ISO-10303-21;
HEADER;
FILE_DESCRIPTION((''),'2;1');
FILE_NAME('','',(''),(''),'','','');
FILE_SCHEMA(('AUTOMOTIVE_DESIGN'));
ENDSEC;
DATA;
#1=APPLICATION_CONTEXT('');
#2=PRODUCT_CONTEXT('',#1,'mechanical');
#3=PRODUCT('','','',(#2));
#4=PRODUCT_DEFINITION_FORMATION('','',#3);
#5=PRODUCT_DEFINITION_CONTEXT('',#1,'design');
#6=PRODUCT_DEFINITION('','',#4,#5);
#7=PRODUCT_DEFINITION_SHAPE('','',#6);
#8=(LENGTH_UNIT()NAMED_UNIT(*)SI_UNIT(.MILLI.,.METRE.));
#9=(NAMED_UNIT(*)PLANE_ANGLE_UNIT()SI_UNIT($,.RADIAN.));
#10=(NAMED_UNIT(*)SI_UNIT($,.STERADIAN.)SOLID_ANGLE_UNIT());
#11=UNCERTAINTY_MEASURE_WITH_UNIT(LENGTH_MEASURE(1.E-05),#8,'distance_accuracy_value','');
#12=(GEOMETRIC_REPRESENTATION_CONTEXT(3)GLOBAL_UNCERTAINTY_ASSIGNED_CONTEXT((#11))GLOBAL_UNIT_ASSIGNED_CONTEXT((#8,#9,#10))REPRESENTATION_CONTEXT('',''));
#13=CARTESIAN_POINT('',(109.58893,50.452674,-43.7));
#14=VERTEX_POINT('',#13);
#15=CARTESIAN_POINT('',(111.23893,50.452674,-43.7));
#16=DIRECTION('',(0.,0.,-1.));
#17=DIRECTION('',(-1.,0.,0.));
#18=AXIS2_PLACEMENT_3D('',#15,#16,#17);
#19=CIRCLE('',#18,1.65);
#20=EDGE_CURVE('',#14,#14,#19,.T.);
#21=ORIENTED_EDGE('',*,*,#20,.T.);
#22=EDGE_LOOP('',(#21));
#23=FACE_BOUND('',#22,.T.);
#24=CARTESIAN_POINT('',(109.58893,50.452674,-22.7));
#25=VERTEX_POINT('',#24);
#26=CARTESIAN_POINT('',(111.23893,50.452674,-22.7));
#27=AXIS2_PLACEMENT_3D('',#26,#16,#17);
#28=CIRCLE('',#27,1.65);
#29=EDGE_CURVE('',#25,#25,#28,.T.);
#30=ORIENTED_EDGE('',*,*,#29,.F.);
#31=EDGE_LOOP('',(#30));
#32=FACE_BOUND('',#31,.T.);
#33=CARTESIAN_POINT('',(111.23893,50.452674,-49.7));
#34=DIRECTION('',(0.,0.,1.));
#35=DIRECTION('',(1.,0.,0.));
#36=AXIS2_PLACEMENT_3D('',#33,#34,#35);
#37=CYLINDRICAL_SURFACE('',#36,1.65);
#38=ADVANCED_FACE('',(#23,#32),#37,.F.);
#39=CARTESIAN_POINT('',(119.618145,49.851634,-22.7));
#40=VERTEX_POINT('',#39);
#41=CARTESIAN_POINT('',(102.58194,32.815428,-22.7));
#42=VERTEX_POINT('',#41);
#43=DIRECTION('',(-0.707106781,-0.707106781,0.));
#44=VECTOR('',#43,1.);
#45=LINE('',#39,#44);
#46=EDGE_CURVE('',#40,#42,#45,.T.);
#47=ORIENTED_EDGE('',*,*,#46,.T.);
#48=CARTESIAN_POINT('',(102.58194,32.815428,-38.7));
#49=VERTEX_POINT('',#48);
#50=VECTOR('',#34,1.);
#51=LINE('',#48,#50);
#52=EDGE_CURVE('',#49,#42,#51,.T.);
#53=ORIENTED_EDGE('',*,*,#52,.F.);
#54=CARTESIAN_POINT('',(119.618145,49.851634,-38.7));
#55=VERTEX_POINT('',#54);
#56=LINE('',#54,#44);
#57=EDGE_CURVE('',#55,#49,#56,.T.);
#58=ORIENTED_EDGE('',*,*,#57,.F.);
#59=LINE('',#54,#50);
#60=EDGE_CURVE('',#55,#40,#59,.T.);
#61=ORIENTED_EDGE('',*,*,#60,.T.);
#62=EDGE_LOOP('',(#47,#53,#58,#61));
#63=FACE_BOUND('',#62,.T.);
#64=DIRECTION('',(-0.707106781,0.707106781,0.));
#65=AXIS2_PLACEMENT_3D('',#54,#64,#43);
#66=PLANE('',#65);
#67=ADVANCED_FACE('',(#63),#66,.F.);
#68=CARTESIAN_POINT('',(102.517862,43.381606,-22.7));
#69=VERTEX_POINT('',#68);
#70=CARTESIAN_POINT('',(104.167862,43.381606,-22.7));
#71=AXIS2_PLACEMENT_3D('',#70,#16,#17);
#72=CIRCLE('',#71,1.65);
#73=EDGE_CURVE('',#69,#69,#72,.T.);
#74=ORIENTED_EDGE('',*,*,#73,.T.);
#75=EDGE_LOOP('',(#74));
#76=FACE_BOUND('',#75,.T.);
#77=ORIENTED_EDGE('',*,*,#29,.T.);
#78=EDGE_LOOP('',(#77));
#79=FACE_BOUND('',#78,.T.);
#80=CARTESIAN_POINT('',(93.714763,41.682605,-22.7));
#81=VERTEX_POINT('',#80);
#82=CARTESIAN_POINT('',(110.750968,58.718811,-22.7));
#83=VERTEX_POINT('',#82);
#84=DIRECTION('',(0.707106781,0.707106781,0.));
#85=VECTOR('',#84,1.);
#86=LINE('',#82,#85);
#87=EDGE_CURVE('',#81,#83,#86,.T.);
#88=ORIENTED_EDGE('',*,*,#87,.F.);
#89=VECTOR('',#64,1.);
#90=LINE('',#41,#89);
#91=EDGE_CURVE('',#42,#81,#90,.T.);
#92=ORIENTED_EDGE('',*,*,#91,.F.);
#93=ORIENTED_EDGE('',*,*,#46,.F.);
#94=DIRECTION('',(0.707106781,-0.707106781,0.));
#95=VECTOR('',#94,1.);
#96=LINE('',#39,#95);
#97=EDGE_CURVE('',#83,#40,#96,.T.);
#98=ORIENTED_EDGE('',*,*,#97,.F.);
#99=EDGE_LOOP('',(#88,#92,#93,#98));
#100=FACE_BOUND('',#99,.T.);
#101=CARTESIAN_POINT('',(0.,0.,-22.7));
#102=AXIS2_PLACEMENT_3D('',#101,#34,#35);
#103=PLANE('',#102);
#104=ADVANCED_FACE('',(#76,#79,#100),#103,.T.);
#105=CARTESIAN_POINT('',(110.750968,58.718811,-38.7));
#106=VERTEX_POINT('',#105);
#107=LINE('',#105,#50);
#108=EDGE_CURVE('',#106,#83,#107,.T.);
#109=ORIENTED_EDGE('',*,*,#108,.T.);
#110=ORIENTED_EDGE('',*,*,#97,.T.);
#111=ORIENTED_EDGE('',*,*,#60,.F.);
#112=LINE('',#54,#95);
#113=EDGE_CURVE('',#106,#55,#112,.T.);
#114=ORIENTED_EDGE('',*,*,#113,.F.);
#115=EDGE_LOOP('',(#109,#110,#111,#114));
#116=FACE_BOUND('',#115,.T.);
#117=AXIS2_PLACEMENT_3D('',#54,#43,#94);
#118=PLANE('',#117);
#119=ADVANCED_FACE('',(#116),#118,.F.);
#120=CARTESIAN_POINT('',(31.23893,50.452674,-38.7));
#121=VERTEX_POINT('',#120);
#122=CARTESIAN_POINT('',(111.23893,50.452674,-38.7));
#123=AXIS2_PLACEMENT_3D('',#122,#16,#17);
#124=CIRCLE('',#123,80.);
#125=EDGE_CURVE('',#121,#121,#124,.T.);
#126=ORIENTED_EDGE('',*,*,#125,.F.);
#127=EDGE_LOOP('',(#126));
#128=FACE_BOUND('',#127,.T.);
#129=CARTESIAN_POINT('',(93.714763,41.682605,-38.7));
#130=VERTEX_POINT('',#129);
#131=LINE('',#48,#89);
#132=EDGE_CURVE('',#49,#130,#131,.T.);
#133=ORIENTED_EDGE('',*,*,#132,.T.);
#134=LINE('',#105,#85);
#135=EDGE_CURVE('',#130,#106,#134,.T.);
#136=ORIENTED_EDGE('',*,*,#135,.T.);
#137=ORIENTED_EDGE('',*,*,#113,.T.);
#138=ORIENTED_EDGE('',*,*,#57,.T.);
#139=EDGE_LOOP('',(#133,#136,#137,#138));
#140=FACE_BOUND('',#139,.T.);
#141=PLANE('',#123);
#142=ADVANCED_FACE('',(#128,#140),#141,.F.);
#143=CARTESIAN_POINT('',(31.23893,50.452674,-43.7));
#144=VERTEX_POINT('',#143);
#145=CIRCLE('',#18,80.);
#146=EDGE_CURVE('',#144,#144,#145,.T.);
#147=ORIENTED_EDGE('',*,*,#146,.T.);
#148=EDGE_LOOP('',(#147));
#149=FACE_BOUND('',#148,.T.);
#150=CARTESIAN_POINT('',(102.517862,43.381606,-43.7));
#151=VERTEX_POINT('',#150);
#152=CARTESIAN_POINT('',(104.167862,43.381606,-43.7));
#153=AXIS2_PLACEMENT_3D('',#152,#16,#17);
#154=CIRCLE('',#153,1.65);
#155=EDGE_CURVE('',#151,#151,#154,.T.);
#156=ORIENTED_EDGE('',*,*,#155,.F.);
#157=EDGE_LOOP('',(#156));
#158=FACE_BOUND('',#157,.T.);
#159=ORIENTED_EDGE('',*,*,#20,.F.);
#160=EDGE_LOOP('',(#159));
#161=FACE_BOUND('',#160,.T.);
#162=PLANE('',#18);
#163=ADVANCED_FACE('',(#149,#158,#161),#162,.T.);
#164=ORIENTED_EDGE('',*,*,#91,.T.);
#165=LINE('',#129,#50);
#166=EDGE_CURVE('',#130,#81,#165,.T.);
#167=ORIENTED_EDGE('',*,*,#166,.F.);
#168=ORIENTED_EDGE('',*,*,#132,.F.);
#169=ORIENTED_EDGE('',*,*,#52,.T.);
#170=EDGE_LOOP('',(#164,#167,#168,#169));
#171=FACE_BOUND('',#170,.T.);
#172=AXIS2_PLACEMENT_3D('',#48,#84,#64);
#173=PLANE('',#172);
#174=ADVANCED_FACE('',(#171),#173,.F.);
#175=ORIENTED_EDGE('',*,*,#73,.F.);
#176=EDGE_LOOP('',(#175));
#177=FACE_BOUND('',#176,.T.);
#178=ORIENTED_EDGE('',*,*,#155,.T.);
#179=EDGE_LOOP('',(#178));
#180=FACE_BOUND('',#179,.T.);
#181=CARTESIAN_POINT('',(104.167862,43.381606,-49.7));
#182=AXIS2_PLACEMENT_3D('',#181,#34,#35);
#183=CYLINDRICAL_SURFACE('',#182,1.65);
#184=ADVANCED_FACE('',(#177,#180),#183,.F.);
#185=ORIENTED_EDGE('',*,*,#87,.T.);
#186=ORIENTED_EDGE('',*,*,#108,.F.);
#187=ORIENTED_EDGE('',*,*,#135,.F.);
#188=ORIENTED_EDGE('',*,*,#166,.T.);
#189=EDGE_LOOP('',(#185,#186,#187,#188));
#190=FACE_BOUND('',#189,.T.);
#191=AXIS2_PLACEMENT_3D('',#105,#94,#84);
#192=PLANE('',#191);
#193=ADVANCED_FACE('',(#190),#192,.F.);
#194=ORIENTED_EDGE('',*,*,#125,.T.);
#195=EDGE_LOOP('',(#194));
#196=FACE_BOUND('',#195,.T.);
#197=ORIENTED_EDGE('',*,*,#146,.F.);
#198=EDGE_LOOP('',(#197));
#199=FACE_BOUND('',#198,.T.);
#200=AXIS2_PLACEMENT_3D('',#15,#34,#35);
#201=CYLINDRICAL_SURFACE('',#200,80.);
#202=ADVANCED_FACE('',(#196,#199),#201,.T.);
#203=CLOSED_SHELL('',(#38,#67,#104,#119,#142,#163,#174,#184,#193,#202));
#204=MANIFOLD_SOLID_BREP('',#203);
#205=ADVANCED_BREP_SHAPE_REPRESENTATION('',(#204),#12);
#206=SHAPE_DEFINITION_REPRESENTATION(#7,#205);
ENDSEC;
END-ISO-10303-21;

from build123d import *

# Parameters (mm, degrees)
BOSS_EXTRUDE1_DEPTH = 16
SKETCH3_R           = 1.65
CUT_EXTRUDE1_DEPTH  = 27
SKETCH4_R           = 80
BOSS_EXTRUDE2_DEPTH = 5
SKETCH5_R           = 1.65
CUT_EXTRUDE3_DEPTH  = 5


with BuildPart() as part:
    # Sketch2 → Boss-Extrude1 (new body)
    with BuildSketch(Plane(origin=(0, 0, -22.7), x_dir=(-1, 0, 0), z_dir=(0, 0, -1))):
        Polygon((-119.618145114, 49.851633515), (-102.581939837, 32.815428238), (-93.714762751, 41.682605324), (-110.750968028, 58.718810601), align=None)
    extrude(amount=BOSS_EXTRUDE1_DEPTH)

    # Sketch3 → Cut-Extrude1 (cut)
    with BuildSketch(Plane(origin=(0, 0, -22.7), x_dir=(-1, 0, 0), z_dir=(0, 0, -1))):
        with Locations(Location((-111.238929757, 50.452674279, 0), (0, 0, 180))):
            Circle(SKETCH3_R)
        with Locations(Location((-104.167861945, 43.381606467, 0), (0, 0, 180))):
            Circle(SKETCH3_R)
    extrude(amount=CUT_EXTRUDE1_DEPTH, mode=Mode.SUBTRACT)

    # Sketch4 → Boss-Extrude2 (add)
    with BuildSketch(Plane(origin=(0, 0, -38.7), x_dir=(-1, 0, 0), z_dir=(0, 0, -1))):
        with Locations((-111.238929757, 50.452674279)):
            Circle(SKETCH4_R)
    extrude(amount=BOSS_EXTRUDE2_DEPTH)

    # Sketch5 → Cut-Extrude3 (cut)
    with BuildSketch(Plane(origin=(0, 0, -38.7), x_dir=(-1, 0, 0), z_dir=(0, 0, -1))):
        with Locations((-111.238929757, 50.452674279)):
            Circle(SKETCH5_R)
        with Locations((-104.167861945, 43.381606467)):
            Circle(SKETCH5_R)
    extrude(amount=CUT_EXTRUDE3_DEPTH, mode=Mode.SUBTRACT)


solid = part.part
